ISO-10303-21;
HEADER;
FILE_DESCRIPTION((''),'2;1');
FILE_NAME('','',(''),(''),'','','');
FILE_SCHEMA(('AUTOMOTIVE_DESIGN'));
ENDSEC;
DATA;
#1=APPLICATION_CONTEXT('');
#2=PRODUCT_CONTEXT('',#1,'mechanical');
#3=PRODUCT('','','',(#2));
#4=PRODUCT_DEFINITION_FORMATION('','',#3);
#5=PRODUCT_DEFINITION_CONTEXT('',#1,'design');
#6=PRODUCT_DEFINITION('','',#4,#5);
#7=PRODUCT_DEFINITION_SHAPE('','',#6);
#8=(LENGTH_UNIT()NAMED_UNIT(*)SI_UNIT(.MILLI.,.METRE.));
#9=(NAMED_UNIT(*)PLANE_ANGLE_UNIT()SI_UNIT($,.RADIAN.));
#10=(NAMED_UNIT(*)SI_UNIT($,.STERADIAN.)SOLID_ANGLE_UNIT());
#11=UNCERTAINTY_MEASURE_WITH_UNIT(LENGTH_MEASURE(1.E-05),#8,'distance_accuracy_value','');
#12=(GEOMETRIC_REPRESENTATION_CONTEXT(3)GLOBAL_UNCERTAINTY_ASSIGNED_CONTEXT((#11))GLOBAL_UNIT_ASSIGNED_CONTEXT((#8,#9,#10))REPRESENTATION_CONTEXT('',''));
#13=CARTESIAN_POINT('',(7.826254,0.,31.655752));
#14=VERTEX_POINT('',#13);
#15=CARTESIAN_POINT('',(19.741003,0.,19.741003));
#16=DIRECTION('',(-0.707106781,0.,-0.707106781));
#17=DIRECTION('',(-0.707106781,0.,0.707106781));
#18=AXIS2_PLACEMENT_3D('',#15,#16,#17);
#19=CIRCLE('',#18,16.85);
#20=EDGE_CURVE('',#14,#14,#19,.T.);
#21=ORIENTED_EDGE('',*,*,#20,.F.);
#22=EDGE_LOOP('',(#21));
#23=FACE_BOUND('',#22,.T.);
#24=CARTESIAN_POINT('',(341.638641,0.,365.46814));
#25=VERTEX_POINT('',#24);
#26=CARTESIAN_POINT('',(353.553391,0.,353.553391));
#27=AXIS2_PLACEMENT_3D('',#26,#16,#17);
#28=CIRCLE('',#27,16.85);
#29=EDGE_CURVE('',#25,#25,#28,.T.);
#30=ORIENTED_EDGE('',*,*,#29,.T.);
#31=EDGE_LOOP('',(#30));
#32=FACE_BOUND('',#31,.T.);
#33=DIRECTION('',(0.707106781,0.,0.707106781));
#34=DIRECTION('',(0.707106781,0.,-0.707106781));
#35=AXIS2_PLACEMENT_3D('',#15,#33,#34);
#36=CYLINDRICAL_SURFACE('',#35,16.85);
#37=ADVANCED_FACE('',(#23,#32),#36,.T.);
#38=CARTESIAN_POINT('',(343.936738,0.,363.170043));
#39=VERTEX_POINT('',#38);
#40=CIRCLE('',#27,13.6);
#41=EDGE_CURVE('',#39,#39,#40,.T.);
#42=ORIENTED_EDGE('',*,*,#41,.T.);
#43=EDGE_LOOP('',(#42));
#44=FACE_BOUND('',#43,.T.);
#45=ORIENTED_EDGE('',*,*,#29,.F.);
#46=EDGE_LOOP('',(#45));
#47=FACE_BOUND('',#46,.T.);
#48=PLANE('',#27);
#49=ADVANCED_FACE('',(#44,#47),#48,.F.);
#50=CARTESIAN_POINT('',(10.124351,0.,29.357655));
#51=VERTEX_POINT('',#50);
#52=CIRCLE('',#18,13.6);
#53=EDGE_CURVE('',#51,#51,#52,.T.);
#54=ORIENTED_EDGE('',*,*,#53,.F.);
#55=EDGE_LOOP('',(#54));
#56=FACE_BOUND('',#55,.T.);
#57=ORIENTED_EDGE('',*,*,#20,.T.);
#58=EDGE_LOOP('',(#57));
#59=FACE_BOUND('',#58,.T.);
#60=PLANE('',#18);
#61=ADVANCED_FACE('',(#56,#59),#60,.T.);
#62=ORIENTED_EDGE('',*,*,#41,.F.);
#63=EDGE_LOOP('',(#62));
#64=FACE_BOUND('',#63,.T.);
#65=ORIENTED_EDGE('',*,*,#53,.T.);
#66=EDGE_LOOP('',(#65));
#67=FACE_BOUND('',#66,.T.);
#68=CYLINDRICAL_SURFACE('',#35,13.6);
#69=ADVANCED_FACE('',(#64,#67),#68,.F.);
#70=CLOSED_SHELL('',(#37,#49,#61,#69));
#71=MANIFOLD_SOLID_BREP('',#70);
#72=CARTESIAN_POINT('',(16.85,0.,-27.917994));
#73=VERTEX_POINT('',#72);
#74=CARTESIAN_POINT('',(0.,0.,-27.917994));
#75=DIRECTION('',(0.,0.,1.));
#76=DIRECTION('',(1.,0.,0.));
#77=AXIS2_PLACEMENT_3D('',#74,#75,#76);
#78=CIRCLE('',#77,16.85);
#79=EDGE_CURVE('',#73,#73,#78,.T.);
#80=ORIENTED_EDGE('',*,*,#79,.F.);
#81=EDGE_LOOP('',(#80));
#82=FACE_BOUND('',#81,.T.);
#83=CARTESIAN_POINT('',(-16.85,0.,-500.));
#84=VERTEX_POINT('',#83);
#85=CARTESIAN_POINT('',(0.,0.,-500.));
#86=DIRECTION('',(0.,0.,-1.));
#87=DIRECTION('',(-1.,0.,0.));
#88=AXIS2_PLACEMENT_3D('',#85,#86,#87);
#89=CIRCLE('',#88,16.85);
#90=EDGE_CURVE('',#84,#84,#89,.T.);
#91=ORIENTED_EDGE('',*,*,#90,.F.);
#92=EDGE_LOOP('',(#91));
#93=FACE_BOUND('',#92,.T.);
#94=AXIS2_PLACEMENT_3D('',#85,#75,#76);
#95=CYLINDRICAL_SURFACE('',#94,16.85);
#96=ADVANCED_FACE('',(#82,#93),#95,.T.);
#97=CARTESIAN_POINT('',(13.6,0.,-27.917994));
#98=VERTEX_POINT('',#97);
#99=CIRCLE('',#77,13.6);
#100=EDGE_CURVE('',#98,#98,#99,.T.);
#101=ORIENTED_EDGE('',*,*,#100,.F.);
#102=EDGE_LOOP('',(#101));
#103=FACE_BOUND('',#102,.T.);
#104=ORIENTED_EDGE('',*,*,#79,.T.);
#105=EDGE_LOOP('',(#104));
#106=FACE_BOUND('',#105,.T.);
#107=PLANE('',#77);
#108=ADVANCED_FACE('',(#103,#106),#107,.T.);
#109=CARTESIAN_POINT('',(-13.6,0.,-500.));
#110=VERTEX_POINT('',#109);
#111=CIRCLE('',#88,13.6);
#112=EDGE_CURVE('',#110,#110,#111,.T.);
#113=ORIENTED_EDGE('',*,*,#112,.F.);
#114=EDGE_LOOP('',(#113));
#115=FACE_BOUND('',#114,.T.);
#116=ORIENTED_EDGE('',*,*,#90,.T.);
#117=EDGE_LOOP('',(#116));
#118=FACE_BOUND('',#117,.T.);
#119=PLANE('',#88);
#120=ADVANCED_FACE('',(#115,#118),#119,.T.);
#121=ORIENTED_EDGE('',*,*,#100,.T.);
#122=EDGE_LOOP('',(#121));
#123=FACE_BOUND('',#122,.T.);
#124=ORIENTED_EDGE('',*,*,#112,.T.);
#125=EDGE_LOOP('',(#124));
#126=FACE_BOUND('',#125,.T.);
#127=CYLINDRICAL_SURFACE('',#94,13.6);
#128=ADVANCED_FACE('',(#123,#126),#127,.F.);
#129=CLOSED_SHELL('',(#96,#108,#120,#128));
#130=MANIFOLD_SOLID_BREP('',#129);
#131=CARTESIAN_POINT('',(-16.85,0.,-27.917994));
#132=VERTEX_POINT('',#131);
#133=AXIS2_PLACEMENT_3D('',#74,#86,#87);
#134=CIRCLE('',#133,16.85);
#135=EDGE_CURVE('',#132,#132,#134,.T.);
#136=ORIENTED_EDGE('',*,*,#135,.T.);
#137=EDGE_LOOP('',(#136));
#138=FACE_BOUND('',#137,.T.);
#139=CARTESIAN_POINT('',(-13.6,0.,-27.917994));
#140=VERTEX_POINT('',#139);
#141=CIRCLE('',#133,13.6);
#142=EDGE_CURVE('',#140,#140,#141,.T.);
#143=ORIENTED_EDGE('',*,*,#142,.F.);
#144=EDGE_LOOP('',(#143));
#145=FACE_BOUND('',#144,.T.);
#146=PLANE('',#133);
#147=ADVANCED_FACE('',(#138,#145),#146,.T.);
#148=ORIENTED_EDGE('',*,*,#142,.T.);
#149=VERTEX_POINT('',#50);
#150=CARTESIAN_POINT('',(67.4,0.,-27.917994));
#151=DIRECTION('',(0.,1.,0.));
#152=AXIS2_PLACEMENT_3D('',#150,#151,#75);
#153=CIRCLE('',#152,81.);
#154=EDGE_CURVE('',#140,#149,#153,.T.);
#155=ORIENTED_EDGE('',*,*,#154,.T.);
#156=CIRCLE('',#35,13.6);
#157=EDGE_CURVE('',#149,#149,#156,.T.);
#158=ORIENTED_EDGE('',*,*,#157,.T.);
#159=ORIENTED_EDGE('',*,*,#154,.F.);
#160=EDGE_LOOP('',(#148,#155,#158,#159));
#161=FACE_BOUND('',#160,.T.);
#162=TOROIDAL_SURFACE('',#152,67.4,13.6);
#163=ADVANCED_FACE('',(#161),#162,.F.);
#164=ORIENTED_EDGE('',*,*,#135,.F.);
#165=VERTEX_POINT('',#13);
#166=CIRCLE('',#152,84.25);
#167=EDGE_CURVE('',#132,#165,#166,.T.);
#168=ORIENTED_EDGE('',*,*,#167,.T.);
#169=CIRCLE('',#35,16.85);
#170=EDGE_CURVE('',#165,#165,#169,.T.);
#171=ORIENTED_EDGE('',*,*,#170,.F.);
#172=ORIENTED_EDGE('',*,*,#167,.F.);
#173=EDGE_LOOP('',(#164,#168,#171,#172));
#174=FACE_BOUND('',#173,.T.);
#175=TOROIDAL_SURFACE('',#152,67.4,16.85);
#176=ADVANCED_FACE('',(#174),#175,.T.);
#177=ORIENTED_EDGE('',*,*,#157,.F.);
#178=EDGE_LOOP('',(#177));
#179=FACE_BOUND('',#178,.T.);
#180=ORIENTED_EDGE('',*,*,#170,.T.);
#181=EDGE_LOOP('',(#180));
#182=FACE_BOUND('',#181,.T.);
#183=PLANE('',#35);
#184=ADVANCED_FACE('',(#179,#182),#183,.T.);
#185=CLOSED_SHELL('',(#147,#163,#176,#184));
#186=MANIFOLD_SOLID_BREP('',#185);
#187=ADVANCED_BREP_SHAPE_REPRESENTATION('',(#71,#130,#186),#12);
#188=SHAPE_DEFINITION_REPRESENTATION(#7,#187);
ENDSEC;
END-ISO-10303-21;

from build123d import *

# Parameters (mm, degrees)
SKIZZE1_ON_SEGMENT_1_R   = 16.85
SKIZZE1_ON_SEGMENT_1_R_2 = 13.6
STRUKTURBAUTEIL2_DEPTH   = 472.082005896
SKIZZE1_ON_SEGMENT_2_R   = 16.85
SKIZZE1_ON_SEGMENT_2_R_2 = 13.6
STRUKTURBAUTEIL2_2_ANGLE = 45
SKIZZE1_R                = 16.85
SKIZZE1_R_2              = 13.6
STRUKTURBAUTEIL2_3_DEPTH = 472.082005896


with BuildPart() as part:
    # Skizze1 on segment 1 (carried to segment 1) → Strukturbauteil2 (new body)
    with BuildSketch(Plane(origin=(19.741002948, 0, 19.741002948), x_dir=(0.707106781, 0, -0.707106781), z_dir=(0.707106781, 0, 0.707106781))):
        Circle(SKIZZE1_ON_SEGMENT_1_R)
        Circle(SKIZZE1_ON_SEGMENT_1_R_2, mode=Mode.SUBTRACT)
    extrude(amount=STRUKTURBAUTEIL2_DEPTH)


with BuildPart() as body_2:
    # Skizze1 on segment 2 (carried to the start of arc 2) → Strukturbauteil2 2 (revolve)
    with BuildSketch(Plane.XY.offset(-27.917994104)):
        Circle(SKIZZE1_ON_SEGMENT_2_R)
        Circle(SKIZZE1_ON_SEGMENT_2_R_2, mode=Mode.SUBTRACT)
    revolve(axis=Axis((67.4, 0, -27.917994104), (0, 1, 0)), revolution_arc=STRUKTURBAUTEIL2_2_ANGLE)


with BuildPart() as body_3:
    # Skizze1 → Strukturbauteil2 3 (new body)
    with BuildSketch(Plane(origin=(0, 0, -27.917994104), x_dir=(-1, 0, 0), z_dir=(0, 0, -1))):
        Circle(SKIZZE1_R)
        Circle(SKIZZE1_R_2, mode=Mode.SUBTRACT)
    extrude(amount=STRUKTURBAUTEIL2_3_DEPTH)


solid = Compound([part.part, body_2.part, body_3.part])
